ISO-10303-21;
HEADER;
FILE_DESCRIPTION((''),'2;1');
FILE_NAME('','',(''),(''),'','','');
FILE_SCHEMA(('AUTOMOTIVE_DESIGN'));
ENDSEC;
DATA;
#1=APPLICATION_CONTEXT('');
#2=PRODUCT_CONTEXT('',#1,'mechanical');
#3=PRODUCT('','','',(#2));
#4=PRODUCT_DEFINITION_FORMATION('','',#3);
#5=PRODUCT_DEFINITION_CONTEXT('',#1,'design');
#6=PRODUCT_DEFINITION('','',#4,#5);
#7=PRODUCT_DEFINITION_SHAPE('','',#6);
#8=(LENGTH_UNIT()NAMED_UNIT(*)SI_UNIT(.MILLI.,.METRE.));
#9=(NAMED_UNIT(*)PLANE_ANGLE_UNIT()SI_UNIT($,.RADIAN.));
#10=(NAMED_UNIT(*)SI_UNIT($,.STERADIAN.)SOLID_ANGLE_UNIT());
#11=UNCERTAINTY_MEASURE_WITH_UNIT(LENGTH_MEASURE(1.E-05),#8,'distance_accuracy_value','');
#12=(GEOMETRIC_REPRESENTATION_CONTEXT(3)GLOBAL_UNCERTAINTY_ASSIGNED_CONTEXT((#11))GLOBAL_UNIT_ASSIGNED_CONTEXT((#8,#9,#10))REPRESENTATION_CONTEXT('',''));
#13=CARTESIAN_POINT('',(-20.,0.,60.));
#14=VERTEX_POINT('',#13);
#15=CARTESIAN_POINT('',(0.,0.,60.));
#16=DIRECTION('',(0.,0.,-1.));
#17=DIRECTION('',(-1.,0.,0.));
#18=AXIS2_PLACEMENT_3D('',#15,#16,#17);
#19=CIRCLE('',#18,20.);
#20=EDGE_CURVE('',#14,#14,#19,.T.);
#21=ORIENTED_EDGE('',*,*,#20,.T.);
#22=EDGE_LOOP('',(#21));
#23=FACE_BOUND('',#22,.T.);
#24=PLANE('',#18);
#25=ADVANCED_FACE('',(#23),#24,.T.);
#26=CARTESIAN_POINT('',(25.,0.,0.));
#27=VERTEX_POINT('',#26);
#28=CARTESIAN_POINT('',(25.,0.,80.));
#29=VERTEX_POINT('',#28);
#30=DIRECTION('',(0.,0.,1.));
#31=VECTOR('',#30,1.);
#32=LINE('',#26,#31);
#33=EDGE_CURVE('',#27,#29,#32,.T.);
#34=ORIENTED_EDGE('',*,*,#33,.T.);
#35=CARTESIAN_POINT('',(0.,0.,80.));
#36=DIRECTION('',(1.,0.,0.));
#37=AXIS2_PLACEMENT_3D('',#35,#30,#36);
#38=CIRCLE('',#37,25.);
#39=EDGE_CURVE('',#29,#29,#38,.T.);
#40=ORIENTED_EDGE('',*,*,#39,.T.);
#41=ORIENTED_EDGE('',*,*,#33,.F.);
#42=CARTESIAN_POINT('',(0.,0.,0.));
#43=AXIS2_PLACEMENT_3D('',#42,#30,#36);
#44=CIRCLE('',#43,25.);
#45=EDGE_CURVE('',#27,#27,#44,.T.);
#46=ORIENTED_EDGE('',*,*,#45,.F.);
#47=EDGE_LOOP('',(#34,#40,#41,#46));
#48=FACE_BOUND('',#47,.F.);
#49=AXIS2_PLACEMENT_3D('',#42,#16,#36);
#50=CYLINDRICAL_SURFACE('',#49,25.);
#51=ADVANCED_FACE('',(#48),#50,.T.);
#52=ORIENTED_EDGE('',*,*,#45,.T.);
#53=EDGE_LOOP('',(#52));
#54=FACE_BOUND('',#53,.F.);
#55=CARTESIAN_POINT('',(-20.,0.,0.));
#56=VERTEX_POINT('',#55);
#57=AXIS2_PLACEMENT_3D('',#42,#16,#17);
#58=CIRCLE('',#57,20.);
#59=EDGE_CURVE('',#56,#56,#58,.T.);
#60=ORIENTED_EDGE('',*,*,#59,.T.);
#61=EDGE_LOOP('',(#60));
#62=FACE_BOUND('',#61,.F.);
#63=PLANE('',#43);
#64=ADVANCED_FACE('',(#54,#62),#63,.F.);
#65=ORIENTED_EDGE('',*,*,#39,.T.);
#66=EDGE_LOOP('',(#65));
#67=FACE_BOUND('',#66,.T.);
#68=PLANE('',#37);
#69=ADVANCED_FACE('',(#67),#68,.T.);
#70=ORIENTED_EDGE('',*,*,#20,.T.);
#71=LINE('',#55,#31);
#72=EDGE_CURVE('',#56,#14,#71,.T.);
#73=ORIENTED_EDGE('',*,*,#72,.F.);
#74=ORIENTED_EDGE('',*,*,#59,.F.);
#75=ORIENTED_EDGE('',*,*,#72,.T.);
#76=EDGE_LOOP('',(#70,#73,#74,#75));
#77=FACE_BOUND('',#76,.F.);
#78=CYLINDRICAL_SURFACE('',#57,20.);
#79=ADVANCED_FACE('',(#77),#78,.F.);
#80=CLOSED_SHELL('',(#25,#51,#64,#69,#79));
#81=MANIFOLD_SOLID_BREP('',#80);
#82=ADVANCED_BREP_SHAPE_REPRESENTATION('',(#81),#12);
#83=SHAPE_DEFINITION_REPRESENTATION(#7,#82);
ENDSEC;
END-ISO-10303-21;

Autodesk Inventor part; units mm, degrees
ref_plane "YZ Plane" through (0, 0, 0) normal (1, 0, 0) x (0, 1, 0)
ref_plane "XZ Plane" through (0, 0, 0) normal (0, 1, 0) x (-1, 0, 0)
ref_plane "XY Plane" through (0, 0, 0) normal (0, 0, 1) x (1, 0, 0)
sketch "Sketch1" plane through (0, 0, 0) normal (0, 0, 1) x (1, 0, 0)
  circle A0 centre (0, 0) radius 25
  dimension "d0" = 50
extrude "Extrusion1" add sketch "Sketch1" along normal blind 80
sketch "Sketch2" plane through (0, 0, 0) normal (0, 0, -1) x (-1, 0, 0)
  circle A0 centre (0, 0) radius 20
  dimension "d3" = 40
extrude "Extrusion2" cut sketch "Sketch2" against normal blind 60
properties part number "Cylinder"
